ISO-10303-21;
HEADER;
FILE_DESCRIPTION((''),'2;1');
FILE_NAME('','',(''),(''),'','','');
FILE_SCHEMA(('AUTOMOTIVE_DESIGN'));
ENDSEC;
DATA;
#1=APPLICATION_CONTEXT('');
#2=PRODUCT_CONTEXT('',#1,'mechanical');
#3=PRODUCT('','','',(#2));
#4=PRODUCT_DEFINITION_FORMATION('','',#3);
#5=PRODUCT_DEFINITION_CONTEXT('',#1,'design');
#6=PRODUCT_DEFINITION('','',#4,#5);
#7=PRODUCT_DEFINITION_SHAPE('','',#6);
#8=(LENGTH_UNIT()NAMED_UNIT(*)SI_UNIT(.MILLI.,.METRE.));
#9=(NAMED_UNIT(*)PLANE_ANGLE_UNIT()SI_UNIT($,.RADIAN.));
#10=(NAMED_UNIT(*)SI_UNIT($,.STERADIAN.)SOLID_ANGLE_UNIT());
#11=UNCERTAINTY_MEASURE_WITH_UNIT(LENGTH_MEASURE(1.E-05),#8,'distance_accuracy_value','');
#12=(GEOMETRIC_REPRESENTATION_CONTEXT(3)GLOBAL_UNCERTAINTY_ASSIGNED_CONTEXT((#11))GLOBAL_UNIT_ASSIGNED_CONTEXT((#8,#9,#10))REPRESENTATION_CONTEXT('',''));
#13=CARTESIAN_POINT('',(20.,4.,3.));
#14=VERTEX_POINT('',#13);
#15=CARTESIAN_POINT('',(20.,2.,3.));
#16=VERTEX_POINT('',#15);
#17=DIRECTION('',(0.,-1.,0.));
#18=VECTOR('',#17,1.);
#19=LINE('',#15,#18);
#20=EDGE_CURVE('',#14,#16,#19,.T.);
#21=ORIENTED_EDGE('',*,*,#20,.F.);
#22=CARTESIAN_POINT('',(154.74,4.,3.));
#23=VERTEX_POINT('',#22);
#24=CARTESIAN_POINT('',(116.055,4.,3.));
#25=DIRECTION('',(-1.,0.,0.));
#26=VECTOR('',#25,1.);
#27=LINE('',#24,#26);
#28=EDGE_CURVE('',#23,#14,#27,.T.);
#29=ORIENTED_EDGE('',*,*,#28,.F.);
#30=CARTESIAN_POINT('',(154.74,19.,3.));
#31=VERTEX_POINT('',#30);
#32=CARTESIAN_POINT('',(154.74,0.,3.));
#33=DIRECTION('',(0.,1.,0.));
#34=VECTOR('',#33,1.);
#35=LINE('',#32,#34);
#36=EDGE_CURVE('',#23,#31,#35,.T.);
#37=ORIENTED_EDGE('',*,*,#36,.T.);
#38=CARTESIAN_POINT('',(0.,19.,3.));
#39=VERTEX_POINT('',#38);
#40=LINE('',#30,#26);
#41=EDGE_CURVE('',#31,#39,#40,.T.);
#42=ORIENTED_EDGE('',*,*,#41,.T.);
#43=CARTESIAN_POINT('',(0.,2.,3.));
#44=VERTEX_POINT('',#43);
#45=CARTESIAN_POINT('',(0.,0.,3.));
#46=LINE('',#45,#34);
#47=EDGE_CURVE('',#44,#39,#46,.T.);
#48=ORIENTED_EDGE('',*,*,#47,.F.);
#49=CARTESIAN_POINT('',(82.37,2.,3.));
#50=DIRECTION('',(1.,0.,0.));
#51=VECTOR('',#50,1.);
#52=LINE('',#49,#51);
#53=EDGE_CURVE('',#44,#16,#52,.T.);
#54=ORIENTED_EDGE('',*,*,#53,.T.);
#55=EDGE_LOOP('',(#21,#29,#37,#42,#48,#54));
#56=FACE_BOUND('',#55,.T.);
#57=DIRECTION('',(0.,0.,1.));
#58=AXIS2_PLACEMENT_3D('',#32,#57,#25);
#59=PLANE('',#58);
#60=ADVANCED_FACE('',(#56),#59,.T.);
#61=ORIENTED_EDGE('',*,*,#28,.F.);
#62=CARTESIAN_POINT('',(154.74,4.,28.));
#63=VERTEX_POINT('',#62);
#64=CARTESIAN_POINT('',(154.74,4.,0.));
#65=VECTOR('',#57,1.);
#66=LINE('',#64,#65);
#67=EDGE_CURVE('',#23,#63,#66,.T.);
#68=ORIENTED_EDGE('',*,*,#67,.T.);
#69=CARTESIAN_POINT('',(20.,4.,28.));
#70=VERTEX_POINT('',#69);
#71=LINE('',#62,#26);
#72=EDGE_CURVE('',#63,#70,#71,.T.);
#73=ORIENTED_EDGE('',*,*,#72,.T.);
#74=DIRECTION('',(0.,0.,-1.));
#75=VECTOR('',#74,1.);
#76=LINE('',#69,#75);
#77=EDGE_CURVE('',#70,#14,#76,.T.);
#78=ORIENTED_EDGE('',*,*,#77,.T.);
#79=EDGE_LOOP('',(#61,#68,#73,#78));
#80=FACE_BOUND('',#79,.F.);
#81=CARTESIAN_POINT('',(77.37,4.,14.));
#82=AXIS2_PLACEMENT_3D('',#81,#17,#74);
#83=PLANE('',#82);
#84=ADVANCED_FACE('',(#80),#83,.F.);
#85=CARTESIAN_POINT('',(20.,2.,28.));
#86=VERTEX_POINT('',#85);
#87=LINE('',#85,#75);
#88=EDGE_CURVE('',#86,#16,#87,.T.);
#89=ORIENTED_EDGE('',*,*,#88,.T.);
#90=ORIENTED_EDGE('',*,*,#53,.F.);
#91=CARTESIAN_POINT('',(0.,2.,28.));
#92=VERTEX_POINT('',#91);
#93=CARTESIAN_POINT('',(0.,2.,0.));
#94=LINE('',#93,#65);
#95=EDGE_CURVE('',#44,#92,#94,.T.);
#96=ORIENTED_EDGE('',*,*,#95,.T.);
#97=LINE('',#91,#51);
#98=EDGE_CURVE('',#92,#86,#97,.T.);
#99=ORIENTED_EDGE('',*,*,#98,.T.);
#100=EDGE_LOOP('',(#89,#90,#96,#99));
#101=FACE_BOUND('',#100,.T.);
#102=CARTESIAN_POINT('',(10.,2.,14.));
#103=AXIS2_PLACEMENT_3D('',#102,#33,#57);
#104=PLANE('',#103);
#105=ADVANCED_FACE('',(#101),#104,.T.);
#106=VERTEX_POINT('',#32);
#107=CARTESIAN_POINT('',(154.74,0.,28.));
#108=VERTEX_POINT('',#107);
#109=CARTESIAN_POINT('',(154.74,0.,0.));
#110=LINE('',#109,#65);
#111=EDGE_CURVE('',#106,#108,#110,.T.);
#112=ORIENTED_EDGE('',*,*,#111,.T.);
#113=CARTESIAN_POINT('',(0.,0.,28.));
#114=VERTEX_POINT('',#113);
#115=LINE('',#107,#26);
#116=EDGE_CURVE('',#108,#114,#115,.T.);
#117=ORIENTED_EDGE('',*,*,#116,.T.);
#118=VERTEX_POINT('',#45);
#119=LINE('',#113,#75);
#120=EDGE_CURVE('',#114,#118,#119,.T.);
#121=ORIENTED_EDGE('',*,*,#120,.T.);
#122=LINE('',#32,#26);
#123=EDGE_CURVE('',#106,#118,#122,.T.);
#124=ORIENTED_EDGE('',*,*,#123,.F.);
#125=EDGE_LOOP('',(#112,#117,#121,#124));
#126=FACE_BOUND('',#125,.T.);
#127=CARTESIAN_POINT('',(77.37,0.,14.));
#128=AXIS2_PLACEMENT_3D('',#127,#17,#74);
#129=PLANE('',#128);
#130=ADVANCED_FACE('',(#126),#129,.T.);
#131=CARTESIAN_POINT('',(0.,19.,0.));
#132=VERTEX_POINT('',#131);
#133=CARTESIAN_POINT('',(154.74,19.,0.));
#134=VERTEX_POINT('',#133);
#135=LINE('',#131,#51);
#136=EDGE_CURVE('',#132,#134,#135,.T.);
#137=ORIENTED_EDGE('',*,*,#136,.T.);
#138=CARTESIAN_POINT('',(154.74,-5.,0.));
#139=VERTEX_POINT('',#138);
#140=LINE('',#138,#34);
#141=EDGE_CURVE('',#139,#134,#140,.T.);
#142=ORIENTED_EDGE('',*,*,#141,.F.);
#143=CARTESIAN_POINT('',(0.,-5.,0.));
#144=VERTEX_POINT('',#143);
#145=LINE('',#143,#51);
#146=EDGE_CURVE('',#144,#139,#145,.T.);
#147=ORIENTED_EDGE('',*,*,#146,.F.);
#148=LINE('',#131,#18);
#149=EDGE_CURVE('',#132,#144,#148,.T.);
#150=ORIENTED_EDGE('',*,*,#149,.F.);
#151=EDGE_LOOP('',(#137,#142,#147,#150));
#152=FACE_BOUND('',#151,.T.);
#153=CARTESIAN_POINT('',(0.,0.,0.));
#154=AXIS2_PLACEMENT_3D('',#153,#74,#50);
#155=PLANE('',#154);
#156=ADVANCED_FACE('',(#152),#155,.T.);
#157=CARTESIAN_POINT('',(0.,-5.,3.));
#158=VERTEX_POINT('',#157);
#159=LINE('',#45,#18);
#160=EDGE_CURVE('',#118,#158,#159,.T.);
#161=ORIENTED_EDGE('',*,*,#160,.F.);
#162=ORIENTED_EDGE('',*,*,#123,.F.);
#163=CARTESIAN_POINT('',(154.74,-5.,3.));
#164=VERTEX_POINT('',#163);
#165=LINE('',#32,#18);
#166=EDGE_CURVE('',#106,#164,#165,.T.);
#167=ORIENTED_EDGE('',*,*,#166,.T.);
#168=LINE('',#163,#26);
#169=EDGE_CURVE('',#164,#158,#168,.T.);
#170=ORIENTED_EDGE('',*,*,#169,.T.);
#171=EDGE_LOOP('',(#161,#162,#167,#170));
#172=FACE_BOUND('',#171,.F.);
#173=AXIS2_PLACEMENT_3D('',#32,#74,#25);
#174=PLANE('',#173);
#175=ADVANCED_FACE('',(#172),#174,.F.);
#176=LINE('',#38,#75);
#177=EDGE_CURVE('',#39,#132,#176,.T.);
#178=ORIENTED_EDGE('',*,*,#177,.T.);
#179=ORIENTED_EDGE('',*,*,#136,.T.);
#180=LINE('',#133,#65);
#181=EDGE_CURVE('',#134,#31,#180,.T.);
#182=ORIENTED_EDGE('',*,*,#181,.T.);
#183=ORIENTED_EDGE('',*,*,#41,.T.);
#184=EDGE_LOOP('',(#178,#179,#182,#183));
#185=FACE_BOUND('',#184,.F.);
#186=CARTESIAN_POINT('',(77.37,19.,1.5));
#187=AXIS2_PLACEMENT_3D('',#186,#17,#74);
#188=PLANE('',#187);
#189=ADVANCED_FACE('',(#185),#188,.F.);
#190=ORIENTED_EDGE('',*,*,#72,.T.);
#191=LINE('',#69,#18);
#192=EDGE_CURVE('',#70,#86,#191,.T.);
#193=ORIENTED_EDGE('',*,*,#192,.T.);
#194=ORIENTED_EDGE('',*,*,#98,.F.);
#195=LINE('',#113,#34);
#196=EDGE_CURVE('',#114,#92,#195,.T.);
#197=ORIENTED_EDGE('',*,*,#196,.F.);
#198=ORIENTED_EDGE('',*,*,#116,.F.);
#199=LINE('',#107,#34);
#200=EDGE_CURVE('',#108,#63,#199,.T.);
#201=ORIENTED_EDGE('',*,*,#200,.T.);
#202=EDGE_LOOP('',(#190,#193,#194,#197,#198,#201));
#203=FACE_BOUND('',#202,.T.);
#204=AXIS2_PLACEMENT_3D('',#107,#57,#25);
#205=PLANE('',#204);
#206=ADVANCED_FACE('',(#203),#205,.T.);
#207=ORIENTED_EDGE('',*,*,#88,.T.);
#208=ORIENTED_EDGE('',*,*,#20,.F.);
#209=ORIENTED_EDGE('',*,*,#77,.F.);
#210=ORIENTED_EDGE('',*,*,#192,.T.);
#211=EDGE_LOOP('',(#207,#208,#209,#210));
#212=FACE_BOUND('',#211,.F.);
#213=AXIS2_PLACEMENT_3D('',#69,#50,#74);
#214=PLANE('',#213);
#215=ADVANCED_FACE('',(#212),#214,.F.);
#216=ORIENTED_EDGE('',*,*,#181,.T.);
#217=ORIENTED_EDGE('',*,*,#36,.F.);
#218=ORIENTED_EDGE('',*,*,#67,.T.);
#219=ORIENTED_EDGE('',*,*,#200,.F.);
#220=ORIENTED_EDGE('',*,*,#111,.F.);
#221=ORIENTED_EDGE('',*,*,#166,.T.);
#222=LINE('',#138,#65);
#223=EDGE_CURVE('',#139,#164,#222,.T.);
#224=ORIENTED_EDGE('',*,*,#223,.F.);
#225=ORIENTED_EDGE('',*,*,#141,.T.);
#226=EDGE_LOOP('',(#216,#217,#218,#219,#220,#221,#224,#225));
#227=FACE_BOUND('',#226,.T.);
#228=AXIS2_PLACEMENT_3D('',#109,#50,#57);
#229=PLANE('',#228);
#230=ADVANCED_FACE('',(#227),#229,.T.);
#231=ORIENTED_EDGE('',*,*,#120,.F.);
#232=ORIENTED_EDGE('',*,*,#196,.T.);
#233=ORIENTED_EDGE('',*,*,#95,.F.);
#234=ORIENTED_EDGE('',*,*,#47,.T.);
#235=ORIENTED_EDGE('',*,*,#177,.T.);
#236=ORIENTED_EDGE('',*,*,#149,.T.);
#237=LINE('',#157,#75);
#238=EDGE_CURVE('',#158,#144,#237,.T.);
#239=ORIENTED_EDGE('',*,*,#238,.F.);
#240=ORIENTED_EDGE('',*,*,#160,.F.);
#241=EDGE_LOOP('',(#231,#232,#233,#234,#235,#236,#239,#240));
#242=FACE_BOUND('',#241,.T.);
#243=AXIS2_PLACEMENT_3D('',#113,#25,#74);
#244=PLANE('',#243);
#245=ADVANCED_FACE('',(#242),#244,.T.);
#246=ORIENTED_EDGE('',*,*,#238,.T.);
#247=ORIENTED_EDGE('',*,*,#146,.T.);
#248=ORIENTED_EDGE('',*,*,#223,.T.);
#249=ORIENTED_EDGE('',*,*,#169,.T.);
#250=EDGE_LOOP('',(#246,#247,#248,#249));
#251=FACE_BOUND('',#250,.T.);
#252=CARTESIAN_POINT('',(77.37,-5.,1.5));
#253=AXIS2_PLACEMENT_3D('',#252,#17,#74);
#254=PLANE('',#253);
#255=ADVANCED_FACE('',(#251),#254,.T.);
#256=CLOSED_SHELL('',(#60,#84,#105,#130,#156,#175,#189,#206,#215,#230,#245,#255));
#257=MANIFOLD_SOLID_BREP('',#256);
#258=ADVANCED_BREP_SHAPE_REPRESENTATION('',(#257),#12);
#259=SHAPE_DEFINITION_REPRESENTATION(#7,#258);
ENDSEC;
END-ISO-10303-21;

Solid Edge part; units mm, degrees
sketch "Sketch1" plane through (0, 0, 0) normal (0, -1, 0) x (1, 0, 0)
  line L0 (154.74, 28) -> (0, 28)
  line L1 (0, 28) -> (0, 0)
  line L2 (0, 0) -> (154.74, 0)
  line L3 (154.74, 0) -> (154.74, 28)
extrude "Protrusion1" add sketch "Sketch1" against normal blind 4
sketch "Sketch2" plane through (77.37, 4, 14) normal (0, 1, 0) x (-1, 0, 0)
  line L0 (77.37, 14) -> (57.37, 14)
  line L1 (57.37, 14) -> (57.37, -14)
  line L2 (57.37, -14) -> (77.37, -14)
  line L3 (77.37, -14) -> (77.37, 14)
extrude "Recorte_Extrudado_3" cut sketch "Sketch2" against normal blind 2
sketch "Sketch3" plane through (77.37, 0, 14) normal (0, -1, 0) x (1, 0, 0)
  line L0 (77.37, -11) -> (-77.37, -11)
  line L1 (-77.37, -11) -> (-77.37, -14)
  line L2 (-77.37, -14) -> (77.37, -14)
  line L3 (77.37, -14) -> (77.37, -11)
extrude "Protrusão_Extrudada_4" add sketch "Sketch3" along normal blind 5
sketch "Sketch4" plane through (77.37, 0, 14) normal (0, -1, 0) x (1, 0, 0)
  line L0 (77.37, -11) -> (-77.37, -11)
  line L1 (-77.37, -11) -> (-77.37, -14)
  line L2 (-77.37, -14) -> (77.37, -14)
  line L3 (77.37, -14) -> (77.37, -11)
extrude "Protrusão_Extrudada_5" add sketch "Sketch4" against normal blind 19
